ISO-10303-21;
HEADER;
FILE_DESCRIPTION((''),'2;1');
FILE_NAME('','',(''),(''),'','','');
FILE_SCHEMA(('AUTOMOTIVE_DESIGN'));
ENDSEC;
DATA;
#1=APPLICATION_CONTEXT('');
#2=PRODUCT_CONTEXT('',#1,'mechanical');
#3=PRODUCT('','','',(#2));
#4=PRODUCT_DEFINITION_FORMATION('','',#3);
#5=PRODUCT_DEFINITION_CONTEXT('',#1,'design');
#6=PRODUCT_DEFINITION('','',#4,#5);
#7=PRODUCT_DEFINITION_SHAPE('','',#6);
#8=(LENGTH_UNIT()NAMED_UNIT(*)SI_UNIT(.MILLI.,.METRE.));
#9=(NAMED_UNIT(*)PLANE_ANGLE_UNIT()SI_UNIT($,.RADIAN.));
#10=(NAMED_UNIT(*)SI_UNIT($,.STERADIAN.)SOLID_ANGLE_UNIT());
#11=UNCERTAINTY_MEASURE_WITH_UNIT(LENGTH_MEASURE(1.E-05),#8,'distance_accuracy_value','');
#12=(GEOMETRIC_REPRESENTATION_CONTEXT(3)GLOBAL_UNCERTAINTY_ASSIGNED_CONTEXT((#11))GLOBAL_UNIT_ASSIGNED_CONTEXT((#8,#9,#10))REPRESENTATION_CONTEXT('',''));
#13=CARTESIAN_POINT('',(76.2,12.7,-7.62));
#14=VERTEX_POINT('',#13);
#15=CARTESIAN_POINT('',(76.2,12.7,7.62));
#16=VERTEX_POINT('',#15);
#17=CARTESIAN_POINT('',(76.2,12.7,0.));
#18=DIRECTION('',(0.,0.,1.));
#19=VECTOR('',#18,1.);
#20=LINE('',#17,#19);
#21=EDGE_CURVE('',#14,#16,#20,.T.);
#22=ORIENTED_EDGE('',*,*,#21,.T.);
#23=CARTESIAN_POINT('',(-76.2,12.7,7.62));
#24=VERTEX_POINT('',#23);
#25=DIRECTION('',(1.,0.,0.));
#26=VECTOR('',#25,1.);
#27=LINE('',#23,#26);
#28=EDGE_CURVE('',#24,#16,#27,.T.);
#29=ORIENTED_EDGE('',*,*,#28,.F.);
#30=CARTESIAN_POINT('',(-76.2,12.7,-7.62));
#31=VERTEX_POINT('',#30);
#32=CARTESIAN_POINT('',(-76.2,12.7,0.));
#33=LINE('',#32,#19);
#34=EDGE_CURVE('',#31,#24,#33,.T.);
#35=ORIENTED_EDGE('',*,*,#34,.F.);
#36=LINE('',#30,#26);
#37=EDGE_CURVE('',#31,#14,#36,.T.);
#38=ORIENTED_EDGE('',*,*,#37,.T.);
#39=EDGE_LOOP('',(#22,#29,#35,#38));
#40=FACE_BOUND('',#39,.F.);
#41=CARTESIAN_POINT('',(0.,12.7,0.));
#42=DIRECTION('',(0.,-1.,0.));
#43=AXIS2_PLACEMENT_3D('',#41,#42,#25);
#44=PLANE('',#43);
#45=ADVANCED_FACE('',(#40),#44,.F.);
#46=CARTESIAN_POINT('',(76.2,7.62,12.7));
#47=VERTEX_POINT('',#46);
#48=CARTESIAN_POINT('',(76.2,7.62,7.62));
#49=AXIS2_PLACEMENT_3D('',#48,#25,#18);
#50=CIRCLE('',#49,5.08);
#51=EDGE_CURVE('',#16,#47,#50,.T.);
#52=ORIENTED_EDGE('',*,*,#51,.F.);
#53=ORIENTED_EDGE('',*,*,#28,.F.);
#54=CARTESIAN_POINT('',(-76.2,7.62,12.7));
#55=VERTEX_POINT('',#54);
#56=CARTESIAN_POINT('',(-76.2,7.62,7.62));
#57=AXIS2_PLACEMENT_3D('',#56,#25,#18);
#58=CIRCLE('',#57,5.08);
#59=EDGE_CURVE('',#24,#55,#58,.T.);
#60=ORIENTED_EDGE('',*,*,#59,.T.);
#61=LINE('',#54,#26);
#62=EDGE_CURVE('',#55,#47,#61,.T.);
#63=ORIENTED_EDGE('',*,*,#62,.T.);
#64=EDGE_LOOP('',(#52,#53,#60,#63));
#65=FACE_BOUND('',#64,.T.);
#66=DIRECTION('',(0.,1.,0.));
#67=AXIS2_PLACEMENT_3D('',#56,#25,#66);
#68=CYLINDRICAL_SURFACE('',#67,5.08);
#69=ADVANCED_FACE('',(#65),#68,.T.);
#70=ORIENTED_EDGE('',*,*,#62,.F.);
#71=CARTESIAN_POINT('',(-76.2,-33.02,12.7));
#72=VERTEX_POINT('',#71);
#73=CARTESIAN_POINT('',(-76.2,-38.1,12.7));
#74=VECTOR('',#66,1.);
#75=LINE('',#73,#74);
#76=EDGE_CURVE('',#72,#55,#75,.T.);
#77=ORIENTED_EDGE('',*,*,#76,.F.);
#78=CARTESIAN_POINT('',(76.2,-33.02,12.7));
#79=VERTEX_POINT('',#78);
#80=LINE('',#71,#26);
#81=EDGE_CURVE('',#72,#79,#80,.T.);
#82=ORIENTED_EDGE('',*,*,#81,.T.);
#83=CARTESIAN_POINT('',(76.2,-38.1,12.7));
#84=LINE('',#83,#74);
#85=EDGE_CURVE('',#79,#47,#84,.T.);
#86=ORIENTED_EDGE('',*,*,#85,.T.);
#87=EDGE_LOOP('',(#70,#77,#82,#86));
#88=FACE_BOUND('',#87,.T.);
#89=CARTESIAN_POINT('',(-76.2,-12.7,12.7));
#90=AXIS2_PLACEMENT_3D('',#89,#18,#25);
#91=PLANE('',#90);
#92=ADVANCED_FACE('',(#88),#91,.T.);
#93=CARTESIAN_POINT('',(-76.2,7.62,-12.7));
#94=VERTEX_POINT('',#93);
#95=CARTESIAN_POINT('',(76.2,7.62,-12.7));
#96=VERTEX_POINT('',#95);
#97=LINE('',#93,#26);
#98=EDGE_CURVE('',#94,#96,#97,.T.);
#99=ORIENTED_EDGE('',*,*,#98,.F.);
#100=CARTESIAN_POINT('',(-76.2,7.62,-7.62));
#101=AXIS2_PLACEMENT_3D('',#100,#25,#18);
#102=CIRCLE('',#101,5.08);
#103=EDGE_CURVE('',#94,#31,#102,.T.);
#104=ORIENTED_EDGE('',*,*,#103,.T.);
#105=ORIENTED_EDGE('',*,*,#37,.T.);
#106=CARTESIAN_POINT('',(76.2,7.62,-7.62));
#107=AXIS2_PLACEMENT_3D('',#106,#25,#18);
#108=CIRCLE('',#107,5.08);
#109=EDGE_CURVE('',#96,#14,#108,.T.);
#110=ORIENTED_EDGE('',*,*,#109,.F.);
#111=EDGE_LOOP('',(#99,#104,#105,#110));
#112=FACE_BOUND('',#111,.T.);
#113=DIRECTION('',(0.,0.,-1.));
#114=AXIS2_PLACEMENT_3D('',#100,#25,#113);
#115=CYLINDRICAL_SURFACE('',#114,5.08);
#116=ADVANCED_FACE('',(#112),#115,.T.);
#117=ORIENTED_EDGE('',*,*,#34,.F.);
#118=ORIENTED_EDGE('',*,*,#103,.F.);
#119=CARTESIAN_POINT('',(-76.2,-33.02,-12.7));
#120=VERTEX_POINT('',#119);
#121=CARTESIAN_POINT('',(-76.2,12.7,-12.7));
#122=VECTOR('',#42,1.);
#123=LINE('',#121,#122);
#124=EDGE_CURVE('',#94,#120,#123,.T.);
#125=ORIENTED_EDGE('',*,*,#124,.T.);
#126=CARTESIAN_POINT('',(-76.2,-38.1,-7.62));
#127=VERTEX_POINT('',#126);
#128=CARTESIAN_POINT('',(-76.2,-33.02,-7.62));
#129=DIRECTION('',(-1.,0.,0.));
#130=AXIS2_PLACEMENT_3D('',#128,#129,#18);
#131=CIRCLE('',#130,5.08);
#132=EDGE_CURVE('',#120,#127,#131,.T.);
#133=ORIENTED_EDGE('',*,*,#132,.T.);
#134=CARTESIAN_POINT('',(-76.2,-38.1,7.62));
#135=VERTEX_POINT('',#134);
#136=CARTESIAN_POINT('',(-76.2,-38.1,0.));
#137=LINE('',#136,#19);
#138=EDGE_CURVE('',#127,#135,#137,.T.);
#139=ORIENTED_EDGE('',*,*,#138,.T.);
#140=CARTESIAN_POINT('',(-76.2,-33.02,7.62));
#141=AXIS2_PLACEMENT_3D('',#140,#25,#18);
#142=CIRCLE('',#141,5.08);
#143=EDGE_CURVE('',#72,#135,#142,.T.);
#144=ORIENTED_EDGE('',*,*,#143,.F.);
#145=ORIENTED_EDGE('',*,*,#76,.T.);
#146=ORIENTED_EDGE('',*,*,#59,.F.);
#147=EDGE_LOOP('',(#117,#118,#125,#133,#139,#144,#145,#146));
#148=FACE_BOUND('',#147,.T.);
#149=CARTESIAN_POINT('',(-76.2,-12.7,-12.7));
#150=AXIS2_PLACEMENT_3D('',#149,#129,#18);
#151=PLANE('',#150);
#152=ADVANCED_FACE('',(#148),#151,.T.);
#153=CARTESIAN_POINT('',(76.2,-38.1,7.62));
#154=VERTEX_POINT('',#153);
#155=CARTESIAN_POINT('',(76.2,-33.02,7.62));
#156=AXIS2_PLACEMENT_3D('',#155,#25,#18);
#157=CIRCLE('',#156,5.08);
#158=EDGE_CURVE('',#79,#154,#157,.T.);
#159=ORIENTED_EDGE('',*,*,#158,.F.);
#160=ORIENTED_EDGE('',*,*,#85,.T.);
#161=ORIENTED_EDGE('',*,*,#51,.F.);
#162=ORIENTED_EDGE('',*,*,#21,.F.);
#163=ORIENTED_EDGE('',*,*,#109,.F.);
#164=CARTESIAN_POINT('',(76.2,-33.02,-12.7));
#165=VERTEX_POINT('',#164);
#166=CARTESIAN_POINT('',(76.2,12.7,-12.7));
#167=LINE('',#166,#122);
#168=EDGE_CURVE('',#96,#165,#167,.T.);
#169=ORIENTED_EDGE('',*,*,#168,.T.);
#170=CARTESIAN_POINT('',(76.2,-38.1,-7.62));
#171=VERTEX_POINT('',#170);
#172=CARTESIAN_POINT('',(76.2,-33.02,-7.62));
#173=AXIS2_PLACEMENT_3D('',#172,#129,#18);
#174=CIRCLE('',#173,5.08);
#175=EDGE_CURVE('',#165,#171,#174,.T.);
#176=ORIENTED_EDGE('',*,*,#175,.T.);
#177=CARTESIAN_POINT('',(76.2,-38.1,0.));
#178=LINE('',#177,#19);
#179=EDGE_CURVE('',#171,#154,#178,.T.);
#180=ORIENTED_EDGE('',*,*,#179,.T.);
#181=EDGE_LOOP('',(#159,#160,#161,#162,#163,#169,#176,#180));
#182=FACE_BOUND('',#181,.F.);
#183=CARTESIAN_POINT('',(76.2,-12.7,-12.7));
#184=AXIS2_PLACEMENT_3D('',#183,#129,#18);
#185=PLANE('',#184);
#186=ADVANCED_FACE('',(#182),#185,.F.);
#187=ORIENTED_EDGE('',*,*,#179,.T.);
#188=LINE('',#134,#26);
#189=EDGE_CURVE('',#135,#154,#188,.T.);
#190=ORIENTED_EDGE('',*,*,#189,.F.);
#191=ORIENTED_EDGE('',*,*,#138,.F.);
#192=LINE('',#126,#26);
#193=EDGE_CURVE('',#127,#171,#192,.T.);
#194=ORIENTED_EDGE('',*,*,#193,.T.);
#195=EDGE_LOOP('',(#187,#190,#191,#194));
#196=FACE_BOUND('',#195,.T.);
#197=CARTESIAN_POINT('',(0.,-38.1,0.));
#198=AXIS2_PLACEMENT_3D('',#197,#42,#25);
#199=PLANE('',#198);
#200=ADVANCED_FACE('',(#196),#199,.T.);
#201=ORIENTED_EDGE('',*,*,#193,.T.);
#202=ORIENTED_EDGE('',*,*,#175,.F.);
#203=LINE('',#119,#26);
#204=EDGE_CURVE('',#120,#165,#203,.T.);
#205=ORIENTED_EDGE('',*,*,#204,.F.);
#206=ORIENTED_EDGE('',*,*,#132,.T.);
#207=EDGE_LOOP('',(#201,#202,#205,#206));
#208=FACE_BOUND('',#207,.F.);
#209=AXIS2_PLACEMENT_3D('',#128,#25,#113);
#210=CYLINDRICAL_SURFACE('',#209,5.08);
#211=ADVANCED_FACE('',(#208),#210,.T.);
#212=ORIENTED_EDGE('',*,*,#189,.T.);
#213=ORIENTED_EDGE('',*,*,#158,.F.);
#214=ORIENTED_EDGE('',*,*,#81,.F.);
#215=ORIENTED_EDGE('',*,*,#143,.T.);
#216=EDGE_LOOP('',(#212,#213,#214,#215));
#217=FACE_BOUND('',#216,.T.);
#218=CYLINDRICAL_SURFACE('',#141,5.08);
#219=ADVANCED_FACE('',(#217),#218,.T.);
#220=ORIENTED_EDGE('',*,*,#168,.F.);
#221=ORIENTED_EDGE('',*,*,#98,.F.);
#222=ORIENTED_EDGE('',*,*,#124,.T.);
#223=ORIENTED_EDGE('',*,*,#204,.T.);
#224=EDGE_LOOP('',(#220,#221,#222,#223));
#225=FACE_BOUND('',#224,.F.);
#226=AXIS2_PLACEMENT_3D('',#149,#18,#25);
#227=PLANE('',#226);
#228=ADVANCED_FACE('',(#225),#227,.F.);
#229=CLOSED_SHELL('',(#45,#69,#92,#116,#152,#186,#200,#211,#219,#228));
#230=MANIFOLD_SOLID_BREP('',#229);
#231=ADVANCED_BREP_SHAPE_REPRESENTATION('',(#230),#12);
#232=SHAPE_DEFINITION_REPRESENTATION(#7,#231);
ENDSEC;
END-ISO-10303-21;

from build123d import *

# Parameters (mm, degrees)
F0_W     = 152.4
F0_H     = 25.4
F1_DEPTH = 12.7
F2_DEPTH = 25.4
F3_R     = 5.08


with BuildPart() as f1:
    # F0 (on Front) → F1 (new body, symmetric)
    with BuildSketch(Plane.XZ):
        Rectangle(F0_W, F0_H)
    extrude(amount=F1_DEPTH, both=True)

    # F2 (add): a face of the model
    f2_faces = [f1.faces().sort_by_distance(p)[0] for p in [
        (0, -12.7, 0),
    ]]
    extrude(f2_faces, amount=F2_DEPTH)

    # F3
    f3_edges = [f1.edges().sort_by_distance(p)[0] for p in [
        (0, -38.1, 12.7),
        (0, -38.1, -12.7),
        (0, 12.7, 12.7),
        (0, 12.7, -12.7),
    ]]
    fillet(f3_edges, radius=F3_R)


solid = f1.part
